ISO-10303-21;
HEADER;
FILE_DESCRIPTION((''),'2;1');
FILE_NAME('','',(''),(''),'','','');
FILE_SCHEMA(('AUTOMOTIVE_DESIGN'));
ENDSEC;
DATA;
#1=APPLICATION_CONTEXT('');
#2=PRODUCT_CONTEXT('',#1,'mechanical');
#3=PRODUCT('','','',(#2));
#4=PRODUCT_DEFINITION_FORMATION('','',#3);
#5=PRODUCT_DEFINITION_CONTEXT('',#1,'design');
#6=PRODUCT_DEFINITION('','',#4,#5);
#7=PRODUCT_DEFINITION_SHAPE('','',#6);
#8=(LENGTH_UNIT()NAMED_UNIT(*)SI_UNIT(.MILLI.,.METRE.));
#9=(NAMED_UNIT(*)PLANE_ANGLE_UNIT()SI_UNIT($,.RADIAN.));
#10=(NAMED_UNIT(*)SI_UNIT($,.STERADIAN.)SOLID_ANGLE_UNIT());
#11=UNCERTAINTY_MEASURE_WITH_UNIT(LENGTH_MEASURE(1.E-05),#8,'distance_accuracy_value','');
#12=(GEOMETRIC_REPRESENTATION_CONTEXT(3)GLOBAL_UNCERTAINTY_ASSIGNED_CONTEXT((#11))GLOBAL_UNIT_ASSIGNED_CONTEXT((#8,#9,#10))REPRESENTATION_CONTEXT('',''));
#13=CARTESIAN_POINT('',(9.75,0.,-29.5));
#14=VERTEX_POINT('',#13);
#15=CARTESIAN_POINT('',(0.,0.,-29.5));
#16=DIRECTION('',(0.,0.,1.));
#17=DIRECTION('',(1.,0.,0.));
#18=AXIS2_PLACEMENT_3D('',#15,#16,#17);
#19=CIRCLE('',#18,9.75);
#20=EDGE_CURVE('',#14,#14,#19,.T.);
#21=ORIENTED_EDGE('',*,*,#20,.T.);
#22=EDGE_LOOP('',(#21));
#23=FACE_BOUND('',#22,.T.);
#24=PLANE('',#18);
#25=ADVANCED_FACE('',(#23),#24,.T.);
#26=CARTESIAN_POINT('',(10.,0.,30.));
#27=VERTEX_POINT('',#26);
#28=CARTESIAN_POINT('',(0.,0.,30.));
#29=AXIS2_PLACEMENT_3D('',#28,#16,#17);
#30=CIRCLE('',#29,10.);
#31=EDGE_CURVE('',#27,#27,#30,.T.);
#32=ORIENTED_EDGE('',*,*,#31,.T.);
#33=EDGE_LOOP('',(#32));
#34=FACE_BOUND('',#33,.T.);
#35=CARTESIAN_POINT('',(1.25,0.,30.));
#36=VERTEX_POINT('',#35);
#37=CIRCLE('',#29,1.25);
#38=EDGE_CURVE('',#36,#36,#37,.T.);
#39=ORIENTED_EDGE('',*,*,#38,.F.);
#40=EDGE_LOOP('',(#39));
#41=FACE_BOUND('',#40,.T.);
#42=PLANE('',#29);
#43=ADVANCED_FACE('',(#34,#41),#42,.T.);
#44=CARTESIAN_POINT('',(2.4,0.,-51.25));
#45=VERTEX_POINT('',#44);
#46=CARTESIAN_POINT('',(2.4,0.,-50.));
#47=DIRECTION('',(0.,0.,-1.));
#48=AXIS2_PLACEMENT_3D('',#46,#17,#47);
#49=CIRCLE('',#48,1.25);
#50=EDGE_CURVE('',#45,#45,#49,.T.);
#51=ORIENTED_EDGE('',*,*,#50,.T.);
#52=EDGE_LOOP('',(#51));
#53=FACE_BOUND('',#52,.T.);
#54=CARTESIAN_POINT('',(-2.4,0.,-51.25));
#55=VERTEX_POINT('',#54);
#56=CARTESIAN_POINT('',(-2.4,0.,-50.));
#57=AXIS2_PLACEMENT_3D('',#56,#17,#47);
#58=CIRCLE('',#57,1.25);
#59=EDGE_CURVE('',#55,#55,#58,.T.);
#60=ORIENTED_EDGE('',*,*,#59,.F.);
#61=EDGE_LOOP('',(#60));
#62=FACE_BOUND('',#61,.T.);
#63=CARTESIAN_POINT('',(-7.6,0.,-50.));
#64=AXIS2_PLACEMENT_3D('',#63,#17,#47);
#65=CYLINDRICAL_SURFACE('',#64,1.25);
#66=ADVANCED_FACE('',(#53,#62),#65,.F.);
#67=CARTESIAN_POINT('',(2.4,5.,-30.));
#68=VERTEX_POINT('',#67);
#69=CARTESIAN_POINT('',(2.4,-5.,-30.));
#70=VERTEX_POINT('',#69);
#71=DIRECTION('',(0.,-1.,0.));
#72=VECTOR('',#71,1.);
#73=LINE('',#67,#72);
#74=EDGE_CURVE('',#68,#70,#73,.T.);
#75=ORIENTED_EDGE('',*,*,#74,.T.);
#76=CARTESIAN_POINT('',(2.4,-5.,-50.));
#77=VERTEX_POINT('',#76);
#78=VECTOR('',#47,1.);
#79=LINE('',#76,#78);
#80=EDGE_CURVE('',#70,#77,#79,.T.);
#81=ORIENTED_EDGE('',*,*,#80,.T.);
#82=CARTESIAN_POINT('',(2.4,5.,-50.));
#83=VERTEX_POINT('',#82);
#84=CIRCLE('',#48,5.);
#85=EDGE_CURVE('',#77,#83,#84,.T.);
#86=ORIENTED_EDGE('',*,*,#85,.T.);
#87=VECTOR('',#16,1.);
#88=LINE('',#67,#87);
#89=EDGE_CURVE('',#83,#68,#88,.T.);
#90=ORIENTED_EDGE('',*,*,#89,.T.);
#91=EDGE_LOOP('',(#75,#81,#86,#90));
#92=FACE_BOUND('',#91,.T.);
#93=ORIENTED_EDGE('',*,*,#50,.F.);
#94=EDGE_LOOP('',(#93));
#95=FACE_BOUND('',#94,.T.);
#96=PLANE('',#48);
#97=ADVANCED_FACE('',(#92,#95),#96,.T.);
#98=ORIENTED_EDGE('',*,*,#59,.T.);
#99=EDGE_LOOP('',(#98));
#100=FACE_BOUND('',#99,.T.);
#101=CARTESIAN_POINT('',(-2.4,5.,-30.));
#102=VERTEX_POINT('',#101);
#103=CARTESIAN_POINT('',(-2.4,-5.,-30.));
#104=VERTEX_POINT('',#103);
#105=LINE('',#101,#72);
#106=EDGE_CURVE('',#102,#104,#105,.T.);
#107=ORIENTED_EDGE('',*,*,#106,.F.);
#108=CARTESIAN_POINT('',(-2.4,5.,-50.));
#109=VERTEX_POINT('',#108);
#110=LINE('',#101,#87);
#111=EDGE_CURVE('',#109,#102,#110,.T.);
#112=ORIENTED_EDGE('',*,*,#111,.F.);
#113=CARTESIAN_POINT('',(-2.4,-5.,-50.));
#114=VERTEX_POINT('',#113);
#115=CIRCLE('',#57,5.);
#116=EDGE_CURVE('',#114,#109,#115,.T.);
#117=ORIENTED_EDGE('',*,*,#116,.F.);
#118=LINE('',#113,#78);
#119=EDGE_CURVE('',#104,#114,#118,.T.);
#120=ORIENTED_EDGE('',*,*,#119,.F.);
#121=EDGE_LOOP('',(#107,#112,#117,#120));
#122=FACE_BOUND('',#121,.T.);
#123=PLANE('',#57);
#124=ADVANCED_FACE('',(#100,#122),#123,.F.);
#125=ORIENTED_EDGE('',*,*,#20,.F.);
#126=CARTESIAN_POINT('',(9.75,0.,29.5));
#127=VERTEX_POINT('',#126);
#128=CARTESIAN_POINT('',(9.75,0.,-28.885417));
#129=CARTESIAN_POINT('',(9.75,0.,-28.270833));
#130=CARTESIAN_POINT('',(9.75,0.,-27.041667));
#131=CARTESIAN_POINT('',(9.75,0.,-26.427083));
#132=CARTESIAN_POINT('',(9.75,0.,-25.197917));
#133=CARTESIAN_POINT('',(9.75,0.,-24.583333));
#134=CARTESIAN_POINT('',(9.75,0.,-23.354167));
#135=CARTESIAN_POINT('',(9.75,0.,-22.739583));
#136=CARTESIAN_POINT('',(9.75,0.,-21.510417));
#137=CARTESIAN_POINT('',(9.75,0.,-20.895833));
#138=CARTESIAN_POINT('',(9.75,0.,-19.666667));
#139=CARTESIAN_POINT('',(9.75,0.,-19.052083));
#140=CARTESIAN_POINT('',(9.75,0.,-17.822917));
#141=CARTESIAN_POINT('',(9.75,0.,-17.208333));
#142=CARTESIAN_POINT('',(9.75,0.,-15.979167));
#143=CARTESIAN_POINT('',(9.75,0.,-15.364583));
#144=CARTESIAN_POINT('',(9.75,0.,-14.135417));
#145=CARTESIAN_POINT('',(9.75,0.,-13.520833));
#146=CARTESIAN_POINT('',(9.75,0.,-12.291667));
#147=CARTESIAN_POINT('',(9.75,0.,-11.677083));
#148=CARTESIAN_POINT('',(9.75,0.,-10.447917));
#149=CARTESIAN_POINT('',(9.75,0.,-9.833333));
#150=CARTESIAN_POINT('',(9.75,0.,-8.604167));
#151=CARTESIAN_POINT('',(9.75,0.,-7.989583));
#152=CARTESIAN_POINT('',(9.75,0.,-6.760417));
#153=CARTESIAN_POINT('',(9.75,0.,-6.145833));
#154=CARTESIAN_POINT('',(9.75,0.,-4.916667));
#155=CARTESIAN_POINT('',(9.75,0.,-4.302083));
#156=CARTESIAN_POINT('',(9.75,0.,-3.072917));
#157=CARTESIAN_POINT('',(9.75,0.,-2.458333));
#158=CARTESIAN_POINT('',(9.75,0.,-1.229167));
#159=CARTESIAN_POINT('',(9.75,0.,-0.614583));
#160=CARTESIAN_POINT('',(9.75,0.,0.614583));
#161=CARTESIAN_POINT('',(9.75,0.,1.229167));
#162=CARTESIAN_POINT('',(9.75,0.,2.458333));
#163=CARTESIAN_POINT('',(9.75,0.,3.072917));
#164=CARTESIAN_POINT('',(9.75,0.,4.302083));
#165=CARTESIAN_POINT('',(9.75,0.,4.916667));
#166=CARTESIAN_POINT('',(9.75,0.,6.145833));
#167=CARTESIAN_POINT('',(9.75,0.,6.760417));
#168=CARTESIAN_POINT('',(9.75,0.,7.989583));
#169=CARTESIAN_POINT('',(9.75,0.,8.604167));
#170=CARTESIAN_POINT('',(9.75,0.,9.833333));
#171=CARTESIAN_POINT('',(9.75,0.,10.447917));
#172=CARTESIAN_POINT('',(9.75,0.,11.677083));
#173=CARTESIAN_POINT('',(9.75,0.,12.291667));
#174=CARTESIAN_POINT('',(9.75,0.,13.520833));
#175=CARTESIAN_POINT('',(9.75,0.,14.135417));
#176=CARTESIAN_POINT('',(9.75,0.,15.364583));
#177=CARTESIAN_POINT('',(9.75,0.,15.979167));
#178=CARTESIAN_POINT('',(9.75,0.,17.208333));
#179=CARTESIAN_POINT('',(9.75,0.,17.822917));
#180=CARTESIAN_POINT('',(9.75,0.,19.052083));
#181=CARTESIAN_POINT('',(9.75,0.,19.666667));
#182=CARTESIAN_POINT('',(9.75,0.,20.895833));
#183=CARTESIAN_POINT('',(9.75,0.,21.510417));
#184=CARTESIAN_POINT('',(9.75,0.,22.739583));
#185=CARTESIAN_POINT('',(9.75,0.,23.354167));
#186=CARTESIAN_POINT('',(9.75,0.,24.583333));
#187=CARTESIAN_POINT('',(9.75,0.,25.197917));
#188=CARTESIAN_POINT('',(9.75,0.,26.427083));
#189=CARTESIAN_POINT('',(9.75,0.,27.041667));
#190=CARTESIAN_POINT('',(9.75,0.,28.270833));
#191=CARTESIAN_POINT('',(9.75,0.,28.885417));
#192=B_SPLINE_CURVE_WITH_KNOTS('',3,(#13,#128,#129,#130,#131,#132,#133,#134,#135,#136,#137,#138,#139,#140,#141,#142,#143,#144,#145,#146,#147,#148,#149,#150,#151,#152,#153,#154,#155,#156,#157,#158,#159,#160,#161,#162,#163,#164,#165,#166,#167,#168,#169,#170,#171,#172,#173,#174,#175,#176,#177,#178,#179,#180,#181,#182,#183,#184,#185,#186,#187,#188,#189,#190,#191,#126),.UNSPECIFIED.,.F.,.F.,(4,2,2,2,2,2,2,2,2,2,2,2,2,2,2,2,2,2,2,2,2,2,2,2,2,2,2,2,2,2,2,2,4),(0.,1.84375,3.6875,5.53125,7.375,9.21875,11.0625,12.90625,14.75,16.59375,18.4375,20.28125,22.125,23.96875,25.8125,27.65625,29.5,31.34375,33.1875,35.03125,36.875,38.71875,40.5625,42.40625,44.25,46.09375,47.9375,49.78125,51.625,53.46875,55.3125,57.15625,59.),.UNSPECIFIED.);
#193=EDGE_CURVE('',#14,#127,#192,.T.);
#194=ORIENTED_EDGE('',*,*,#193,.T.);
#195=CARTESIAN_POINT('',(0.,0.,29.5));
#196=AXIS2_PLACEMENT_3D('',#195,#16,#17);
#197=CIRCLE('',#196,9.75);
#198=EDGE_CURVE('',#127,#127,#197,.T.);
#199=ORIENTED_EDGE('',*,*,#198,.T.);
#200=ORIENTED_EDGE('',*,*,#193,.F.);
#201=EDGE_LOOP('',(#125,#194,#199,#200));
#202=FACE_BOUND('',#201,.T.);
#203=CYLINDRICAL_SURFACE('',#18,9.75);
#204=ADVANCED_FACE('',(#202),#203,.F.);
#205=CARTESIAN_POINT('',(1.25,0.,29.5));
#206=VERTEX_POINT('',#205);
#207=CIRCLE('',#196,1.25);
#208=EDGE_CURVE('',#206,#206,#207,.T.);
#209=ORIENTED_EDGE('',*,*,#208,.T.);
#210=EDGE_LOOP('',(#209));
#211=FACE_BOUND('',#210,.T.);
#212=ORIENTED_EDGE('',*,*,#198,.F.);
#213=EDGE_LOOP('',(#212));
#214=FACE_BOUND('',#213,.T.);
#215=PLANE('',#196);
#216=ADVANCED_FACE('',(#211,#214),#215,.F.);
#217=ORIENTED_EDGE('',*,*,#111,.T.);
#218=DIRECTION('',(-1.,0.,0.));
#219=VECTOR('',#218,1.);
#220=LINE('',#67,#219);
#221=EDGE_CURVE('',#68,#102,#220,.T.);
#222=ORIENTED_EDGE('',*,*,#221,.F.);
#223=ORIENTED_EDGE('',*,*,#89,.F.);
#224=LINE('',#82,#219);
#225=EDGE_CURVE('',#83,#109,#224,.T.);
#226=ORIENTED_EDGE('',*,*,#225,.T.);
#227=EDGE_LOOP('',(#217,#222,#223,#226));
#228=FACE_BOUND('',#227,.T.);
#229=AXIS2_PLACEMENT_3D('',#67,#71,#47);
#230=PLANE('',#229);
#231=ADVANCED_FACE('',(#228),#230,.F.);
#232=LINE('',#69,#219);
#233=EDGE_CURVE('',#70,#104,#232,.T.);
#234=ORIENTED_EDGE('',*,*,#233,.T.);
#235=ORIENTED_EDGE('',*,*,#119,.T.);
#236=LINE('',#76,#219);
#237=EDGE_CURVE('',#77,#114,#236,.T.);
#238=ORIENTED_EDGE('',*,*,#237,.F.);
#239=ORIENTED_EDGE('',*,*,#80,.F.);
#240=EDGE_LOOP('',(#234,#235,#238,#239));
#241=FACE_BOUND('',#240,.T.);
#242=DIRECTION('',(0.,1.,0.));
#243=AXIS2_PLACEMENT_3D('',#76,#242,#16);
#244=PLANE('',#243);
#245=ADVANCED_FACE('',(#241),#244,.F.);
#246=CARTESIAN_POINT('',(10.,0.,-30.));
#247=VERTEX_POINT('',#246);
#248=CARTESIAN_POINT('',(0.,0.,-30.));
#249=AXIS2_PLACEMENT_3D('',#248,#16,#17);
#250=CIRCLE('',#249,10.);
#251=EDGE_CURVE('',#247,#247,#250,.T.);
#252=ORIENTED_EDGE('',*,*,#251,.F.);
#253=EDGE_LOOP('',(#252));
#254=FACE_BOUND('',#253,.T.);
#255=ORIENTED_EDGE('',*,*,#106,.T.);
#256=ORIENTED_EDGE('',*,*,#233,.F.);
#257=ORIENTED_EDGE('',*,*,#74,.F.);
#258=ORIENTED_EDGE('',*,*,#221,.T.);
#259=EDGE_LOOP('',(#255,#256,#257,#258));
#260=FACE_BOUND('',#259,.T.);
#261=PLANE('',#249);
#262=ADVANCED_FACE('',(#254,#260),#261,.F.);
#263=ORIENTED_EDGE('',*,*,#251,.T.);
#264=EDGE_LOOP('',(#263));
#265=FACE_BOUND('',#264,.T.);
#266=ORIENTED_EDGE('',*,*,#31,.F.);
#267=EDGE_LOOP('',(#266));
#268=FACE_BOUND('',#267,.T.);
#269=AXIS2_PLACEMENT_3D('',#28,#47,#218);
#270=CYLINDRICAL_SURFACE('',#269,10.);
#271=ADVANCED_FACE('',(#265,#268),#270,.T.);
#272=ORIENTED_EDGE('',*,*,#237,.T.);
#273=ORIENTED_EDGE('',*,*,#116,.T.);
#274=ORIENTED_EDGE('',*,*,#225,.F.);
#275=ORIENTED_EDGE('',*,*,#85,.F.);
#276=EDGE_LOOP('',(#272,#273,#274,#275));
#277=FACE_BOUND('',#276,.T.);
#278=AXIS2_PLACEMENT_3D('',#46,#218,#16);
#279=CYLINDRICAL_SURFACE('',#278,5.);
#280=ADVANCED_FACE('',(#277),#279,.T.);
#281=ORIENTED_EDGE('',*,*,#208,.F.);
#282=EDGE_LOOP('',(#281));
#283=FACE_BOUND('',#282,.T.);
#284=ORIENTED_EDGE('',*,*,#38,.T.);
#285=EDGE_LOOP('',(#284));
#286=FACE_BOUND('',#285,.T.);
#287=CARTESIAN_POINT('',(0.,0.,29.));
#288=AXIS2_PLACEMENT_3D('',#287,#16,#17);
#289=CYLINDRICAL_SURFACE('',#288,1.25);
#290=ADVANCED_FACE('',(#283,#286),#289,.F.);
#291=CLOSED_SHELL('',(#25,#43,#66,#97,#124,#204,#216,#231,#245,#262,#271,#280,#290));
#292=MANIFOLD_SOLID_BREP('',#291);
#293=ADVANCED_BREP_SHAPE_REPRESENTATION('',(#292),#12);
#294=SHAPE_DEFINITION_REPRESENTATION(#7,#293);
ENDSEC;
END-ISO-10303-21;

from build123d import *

# Parameters (mm, degrees)
SKETCH1_R           = 10
BOSS_EXTRUDE1_DEPTH = 30
SKETCH3_R           = 9.75
CUT_EXTRUDE1_DEPTH  = 29.5
SKETCH4_R           = 1.25
CUT_EXTRUDE2_DEPTH  = 1
BOSS_EXTRUDE2_DEPTH = 2.4
SKETCH6_R           = 1.25
CUT_EXTRUDE3_DEPTH  = 10


with BuildPart() as part:
    # Sketch1 → Boss-Extrude1 (new, symmetric)
    with BuildSketch(Plane.XY):
        Circle(SKETCH1_R)
    extrude(amount=BOSS_EXTRUDE1_DEPTH, both=True)

    # Sketch3 → Cut-Extrude1 (cut, symmetric)
    with BuildSketch(Plane.XY):
        Circle(SKETCH3_R)
    extrude(amount=CUT_EXTRUDE1_DEPTH, both=True, mode=Mode.SUBTRACT)

    # Sketch4 → Cut-Extrude2 (cut)
    with BuildSketch(Plane.XY.offset(30)):
        Circle(SKETCH4_R)
    extrude(amount=-CUT_EXTRUDE2_DEPTH, mode=Mode.SUBTRACT)

    # Sketch5 → Boss-Extrude2 (add, symmetric)
    with BuildSketch(Plane(origin=(0, 0, 0), x_dir=(0, 0, -1), z_dir=(1, 0, 0))):
        with BuildLine():
            Line((30, 5), (30, -5))
            Line((30, -5), (50, -5))
            ThreePointArc((50, -5), (55, 0), (50, 5))
            Line((50, 5), (30, 5))
        make_face()
    extrude(amount=BOSS_EXTRUDE2_DEPTH, both=True)

    # Sketch6 → Cut-Extrude3 (cut)
    with BuildSketch(Plane(origin=(2.4, 0, 0), x_dir=(0, 0, -1), z_dir=(1, 0, 0))):
        with Locations((50, 0)):
            Circle(SKETCH6_R)
    extrude(amount=-CUT_EXTRUDE3_DEPTH, mode=Mode.SUBTRACT)


solid = part.part
